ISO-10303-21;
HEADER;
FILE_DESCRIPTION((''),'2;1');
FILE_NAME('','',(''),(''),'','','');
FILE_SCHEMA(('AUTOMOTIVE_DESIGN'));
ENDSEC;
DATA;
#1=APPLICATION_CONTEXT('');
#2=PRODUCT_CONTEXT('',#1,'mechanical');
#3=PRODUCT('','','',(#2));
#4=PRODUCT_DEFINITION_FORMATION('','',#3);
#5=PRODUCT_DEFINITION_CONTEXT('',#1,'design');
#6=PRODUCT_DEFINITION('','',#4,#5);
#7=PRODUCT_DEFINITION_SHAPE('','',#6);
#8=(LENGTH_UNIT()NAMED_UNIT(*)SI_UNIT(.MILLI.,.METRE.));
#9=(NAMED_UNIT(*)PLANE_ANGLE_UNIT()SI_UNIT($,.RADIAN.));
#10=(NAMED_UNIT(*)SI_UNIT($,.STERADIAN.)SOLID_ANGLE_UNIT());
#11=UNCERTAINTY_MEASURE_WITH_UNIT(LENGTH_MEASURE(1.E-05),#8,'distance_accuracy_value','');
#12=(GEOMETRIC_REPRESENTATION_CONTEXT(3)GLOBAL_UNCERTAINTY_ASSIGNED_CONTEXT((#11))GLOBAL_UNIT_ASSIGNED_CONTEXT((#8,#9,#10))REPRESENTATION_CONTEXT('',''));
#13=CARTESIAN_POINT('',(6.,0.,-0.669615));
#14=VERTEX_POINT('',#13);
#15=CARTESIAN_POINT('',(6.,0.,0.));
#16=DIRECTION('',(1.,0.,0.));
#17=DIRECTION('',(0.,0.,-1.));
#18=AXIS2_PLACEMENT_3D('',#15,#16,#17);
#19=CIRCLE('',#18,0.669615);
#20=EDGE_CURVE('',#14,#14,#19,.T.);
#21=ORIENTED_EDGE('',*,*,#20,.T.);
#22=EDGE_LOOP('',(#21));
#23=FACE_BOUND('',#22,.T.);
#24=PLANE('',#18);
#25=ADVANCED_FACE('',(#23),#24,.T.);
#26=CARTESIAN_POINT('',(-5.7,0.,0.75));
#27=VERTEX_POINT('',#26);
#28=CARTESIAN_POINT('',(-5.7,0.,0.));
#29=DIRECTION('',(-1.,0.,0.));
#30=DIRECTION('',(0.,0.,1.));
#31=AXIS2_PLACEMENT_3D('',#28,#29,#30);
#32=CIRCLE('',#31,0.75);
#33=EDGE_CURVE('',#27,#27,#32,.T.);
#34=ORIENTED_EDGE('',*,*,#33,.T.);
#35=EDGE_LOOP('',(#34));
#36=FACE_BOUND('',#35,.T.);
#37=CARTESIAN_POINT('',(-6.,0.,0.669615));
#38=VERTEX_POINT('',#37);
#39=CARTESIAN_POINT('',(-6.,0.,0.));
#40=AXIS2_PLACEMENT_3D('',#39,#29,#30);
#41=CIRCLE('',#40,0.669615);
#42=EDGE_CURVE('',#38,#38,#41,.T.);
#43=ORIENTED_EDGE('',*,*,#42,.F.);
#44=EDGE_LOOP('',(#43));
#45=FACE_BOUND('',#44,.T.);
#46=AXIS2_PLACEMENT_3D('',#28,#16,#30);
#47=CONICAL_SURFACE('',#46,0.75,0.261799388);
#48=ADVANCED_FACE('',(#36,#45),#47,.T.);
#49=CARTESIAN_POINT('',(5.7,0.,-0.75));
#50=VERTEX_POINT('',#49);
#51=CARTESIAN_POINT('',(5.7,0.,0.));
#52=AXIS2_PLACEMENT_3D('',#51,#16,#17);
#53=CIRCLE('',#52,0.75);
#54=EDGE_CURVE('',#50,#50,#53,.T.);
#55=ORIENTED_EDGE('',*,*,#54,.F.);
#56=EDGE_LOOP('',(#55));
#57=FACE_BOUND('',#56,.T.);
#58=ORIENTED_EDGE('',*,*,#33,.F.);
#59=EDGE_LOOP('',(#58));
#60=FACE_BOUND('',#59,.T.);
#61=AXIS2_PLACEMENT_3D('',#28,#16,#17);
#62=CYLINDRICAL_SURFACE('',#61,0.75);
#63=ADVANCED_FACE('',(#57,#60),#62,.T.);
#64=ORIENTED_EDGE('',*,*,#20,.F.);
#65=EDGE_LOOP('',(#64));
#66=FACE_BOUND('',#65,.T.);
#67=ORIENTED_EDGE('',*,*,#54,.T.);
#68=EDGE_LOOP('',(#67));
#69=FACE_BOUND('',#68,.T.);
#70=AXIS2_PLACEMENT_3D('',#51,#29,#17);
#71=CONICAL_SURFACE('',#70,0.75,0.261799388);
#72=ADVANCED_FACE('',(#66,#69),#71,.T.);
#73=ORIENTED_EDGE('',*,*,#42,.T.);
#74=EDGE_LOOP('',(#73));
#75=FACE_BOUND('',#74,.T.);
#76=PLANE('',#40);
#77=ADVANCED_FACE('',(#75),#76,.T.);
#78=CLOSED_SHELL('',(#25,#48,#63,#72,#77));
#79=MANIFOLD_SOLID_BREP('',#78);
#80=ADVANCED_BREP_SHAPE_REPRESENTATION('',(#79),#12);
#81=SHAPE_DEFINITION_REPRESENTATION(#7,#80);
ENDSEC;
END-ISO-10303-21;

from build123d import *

# Parameters (mm, degrees)
EXTRUDE1_DEPTH      = 5.7
EXTRUDE1_DEPTH_BACK = 5.7
SKETCH2_R           = 0.75
SKETCH3_R           = 0.75
EXTRUDE2_DEPTH      = 0.3
EXTRUDE2_TAPER      = 15
SKETCH4_R           = 0.75
EXTRUDE3_DEPTH      = 0.3
EXTRUDE3_TAPER      = 15


with BuildPart() as part:
    # Sketch2 → Extrude1 (new, two sides: drawn at the far end of the back side and taken through both)
    with BuildSketch(Plane(origin=(0, 0, 0), x_dir=(0, 0, -1), z_dir=(1, 0, 0)).offset(-EXTRUDE1_DEPTH_BACK)):
        Circle(SKETCH2_R)
    extrude(amount=EXTRUDE1_DEPTH + EXTRUDE1_DEPTH_BACK)

    # Sketch3 → Extrude2 (add)
    with BuildSketch(Plane(origin=(5.7, 0, 0), x_dir=(0, 0, -1), z_dir=(1, 0, 0))):
        Circle(SKETCH3_R)
    extrude(amount=EXTRUDE2_DEPTH, taper=EXTRUDE2_TAPER)

    # Sketch4 → Extrude3 (add)
    with BuildSketch(Plane.ZY.offset(5.7)):
        with Locations(Location((0, 0, 0), (0, 0, 180))):
            Circle(SKETCH4_R)
    extrude(amount=EXTRUDE3_DEPTH, taper=EXTRUDE3_TAPER)


solid = part.part
